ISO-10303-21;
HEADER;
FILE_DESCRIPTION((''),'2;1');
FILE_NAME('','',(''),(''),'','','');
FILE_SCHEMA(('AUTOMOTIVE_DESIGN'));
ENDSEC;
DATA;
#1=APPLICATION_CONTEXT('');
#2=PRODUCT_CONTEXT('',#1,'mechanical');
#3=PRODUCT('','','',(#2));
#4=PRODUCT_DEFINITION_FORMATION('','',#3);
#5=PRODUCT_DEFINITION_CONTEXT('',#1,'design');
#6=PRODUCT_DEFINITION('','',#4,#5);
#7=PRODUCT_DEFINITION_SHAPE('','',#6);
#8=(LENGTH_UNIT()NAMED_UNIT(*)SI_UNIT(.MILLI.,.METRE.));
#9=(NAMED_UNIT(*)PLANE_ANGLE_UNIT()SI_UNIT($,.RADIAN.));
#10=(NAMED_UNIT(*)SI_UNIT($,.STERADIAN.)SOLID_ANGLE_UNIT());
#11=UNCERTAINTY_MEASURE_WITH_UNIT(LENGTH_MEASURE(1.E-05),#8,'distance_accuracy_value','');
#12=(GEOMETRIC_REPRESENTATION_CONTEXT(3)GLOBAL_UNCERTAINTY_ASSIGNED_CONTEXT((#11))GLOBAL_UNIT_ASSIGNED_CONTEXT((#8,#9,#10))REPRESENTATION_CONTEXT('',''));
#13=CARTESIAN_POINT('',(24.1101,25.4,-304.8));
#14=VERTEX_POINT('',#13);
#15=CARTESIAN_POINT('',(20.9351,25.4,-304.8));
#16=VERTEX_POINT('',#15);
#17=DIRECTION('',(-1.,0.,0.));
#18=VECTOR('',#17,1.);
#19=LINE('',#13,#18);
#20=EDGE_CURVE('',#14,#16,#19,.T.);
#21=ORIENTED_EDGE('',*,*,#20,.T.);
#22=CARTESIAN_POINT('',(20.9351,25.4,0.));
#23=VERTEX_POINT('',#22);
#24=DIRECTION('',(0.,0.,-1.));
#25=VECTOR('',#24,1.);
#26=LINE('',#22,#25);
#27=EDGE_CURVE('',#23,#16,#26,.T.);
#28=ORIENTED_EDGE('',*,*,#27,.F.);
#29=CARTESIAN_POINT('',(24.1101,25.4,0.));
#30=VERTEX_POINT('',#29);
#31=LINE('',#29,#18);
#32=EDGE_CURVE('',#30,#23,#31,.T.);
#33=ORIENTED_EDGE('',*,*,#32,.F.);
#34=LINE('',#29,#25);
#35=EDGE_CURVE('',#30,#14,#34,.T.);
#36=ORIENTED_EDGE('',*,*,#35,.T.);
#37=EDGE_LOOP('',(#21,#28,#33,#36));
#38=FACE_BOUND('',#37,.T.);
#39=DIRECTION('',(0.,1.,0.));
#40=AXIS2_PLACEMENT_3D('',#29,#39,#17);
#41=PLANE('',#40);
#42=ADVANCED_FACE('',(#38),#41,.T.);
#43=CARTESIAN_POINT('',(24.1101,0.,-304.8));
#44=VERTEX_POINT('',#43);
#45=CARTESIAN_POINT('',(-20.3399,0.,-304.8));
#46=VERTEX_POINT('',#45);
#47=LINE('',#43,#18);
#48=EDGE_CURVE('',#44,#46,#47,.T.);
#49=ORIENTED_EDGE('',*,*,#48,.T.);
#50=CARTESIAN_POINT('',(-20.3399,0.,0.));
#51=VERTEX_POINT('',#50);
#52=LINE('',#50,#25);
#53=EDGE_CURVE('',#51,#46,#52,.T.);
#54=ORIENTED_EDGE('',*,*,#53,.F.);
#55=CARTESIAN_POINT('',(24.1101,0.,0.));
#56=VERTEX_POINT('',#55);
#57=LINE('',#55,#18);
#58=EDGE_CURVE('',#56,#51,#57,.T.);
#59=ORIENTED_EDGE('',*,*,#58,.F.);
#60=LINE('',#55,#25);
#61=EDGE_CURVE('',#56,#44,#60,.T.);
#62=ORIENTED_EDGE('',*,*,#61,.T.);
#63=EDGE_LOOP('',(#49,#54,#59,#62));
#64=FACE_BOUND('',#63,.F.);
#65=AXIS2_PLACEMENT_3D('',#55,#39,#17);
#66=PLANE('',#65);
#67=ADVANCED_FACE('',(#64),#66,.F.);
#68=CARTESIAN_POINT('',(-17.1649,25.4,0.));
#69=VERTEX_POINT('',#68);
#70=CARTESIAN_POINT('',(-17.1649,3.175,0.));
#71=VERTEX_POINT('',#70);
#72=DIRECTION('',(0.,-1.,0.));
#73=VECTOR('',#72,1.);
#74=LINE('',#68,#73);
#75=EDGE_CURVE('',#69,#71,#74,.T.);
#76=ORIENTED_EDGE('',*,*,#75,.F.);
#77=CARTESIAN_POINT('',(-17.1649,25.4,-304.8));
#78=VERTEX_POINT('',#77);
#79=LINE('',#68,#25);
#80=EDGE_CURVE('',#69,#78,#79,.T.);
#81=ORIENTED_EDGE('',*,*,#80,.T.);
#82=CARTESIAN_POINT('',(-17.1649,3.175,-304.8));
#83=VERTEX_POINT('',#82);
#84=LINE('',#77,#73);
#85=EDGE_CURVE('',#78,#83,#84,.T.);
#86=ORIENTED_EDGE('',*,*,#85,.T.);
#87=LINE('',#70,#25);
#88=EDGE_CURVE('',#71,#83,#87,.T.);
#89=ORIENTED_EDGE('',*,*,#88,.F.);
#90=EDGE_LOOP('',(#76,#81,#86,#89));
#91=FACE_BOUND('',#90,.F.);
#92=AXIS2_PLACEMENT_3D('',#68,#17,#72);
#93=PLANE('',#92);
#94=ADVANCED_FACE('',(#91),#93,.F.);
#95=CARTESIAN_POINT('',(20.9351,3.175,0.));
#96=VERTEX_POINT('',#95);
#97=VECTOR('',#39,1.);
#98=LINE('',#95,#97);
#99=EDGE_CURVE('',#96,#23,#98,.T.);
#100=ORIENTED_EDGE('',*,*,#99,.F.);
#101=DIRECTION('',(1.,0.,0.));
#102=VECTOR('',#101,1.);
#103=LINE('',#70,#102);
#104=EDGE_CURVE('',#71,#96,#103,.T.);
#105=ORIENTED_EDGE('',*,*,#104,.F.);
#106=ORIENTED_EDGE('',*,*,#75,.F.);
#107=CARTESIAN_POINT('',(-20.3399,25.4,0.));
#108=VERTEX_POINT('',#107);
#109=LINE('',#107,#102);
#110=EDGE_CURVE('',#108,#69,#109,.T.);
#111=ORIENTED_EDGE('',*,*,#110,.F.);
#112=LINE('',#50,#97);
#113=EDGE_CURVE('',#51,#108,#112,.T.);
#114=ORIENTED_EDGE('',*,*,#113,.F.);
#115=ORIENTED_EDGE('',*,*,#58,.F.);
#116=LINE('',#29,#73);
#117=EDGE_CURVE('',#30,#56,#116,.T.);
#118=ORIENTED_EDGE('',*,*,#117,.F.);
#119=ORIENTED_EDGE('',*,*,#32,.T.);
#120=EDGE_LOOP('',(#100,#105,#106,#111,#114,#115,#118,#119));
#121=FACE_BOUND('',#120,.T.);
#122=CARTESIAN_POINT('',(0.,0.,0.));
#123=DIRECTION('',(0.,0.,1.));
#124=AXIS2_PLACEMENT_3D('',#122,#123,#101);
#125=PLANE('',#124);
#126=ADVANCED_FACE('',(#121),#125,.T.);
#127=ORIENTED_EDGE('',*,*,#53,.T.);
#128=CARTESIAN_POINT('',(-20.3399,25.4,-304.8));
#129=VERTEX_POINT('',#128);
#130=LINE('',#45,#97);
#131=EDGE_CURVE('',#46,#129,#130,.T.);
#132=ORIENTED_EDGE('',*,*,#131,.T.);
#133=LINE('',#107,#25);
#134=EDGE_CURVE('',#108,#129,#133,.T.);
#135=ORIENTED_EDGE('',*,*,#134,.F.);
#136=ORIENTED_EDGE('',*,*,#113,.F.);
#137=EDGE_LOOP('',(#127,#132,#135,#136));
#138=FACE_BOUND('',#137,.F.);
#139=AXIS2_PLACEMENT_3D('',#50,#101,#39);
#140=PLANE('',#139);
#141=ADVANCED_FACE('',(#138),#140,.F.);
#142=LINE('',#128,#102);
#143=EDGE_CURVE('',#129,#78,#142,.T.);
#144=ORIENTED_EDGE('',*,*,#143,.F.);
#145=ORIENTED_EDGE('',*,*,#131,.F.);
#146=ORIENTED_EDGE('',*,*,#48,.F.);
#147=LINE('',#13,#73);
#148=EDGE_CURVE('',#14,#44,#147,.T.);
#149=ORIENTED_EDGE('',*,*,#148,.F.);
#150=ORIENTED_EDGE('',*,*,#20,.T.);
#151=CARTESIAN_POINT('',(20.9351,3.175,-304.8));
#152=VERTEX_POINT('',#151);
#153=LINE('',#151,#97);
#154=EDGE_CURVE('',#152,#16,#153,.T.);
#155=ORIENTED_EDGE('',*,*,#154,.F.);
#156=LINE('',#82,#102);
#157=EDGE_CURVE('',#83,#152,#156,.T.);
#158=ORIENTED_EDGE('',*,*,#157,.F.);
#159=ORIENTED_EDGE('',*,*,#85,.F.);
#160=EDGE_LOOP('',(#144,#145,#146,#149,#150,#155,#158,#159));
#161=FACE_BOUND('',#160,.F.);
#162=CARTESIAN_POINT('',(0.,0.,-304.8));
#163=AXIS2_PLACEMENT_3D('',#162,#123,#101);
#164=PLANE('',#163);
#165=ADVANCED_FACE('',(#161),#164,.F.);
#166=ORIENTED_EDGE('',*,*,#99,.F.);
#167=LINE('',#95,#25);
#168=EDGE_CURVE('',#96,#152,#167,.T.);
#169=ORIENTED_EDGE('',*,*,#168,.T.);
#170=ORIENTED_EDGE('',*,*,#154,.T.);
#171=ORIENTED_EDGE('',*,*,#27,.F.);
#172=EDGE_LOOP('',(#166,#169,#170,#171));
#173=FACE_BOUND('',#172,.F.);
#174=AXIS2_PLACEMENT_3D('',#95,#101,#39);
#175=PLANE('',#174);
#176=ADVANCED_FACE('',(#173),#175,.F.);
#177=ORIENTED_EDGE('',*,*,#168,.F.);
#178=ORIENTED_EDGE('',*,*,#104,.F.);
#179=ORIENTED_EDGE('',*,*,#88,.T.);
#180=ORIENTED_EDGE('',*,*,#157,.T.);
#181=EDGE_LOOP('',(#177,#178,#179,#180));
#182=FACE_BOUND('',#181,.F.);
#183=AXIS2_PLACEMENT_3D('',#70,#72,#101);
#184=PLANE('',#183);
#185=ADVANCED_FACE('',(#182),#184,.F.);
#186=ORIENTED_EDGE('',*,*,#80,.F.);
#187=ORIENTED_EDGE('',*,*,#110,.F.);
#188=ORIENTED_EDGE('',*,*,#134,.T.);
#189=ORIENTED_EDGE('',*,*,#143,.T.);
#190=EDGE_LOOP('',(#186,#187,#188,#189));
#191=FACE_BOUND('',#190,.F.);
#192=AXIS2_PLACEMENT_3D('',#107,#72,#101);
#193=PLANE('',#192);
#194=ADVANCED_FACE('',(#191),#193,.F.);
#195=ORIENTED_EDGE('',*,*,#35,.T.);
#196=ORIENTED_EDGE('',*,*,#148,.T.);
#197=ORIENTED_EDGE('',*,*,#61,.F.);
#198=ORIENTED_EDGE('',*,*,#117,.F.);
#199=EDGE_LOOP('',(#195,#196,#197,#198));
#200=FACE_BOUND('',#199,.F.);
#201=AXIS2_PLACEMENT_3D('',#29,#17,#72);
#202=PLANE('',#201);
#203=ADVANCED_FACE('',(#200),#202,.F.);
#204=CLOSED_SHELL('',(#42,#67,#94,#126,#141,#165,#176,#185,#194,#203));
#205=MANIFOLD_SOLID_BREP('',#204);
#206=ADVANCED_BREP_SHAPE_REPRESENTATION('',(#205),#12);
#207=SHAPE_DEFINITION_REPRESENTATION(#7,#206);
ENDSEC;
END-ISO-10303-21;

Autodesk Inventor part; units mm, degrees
ref_plane "YZ Plane" through (0, 0, 0) normal (1, 0, 0) x (0, 1, 0)
ref_plane "XZ Plane" through (0, 0, 0) normal (0, 1, 0) x (-1, 0, 0)
ref_plane "XY Plane" through (0, 0, 0) normal (0, 0, 1) x (1, 0, 0)
sketch "Sketch1" plane through (0, 0, 0) normal (0, 0, 1) x (1, 0, 0)
  line L0 (24.1101, 25.4) -> (24.1101, 0)
  line L1 (24.1101, 0) -> (-20.3399, 0)
  line L2 (-20.3399, 0) -> (-20.3399, 25.4)
  line L3 (-17.1649, 25.4) -> (-17.1649, 3.175)
  line L4 (-17.1649, 3.175) -> (20.9351, 3.175)
  line L5 (20.9351, 3.175) -> (20.9351, 25.4)
  line L6 (-20.3399, 25.4) -> (-17.1649, 25.4)
  line L7 (24.1101, 25.4) -> (20.9351, 25.4)
  point P0 (0, 0)
  dimension "d0" = 44.45
  dimension "d1" = 25.4
  dimension "d2" = 3.175
extrude "Extrusion1" add sketch "Sketch1" against normal blind 304.8
properties part number "channel raw"
